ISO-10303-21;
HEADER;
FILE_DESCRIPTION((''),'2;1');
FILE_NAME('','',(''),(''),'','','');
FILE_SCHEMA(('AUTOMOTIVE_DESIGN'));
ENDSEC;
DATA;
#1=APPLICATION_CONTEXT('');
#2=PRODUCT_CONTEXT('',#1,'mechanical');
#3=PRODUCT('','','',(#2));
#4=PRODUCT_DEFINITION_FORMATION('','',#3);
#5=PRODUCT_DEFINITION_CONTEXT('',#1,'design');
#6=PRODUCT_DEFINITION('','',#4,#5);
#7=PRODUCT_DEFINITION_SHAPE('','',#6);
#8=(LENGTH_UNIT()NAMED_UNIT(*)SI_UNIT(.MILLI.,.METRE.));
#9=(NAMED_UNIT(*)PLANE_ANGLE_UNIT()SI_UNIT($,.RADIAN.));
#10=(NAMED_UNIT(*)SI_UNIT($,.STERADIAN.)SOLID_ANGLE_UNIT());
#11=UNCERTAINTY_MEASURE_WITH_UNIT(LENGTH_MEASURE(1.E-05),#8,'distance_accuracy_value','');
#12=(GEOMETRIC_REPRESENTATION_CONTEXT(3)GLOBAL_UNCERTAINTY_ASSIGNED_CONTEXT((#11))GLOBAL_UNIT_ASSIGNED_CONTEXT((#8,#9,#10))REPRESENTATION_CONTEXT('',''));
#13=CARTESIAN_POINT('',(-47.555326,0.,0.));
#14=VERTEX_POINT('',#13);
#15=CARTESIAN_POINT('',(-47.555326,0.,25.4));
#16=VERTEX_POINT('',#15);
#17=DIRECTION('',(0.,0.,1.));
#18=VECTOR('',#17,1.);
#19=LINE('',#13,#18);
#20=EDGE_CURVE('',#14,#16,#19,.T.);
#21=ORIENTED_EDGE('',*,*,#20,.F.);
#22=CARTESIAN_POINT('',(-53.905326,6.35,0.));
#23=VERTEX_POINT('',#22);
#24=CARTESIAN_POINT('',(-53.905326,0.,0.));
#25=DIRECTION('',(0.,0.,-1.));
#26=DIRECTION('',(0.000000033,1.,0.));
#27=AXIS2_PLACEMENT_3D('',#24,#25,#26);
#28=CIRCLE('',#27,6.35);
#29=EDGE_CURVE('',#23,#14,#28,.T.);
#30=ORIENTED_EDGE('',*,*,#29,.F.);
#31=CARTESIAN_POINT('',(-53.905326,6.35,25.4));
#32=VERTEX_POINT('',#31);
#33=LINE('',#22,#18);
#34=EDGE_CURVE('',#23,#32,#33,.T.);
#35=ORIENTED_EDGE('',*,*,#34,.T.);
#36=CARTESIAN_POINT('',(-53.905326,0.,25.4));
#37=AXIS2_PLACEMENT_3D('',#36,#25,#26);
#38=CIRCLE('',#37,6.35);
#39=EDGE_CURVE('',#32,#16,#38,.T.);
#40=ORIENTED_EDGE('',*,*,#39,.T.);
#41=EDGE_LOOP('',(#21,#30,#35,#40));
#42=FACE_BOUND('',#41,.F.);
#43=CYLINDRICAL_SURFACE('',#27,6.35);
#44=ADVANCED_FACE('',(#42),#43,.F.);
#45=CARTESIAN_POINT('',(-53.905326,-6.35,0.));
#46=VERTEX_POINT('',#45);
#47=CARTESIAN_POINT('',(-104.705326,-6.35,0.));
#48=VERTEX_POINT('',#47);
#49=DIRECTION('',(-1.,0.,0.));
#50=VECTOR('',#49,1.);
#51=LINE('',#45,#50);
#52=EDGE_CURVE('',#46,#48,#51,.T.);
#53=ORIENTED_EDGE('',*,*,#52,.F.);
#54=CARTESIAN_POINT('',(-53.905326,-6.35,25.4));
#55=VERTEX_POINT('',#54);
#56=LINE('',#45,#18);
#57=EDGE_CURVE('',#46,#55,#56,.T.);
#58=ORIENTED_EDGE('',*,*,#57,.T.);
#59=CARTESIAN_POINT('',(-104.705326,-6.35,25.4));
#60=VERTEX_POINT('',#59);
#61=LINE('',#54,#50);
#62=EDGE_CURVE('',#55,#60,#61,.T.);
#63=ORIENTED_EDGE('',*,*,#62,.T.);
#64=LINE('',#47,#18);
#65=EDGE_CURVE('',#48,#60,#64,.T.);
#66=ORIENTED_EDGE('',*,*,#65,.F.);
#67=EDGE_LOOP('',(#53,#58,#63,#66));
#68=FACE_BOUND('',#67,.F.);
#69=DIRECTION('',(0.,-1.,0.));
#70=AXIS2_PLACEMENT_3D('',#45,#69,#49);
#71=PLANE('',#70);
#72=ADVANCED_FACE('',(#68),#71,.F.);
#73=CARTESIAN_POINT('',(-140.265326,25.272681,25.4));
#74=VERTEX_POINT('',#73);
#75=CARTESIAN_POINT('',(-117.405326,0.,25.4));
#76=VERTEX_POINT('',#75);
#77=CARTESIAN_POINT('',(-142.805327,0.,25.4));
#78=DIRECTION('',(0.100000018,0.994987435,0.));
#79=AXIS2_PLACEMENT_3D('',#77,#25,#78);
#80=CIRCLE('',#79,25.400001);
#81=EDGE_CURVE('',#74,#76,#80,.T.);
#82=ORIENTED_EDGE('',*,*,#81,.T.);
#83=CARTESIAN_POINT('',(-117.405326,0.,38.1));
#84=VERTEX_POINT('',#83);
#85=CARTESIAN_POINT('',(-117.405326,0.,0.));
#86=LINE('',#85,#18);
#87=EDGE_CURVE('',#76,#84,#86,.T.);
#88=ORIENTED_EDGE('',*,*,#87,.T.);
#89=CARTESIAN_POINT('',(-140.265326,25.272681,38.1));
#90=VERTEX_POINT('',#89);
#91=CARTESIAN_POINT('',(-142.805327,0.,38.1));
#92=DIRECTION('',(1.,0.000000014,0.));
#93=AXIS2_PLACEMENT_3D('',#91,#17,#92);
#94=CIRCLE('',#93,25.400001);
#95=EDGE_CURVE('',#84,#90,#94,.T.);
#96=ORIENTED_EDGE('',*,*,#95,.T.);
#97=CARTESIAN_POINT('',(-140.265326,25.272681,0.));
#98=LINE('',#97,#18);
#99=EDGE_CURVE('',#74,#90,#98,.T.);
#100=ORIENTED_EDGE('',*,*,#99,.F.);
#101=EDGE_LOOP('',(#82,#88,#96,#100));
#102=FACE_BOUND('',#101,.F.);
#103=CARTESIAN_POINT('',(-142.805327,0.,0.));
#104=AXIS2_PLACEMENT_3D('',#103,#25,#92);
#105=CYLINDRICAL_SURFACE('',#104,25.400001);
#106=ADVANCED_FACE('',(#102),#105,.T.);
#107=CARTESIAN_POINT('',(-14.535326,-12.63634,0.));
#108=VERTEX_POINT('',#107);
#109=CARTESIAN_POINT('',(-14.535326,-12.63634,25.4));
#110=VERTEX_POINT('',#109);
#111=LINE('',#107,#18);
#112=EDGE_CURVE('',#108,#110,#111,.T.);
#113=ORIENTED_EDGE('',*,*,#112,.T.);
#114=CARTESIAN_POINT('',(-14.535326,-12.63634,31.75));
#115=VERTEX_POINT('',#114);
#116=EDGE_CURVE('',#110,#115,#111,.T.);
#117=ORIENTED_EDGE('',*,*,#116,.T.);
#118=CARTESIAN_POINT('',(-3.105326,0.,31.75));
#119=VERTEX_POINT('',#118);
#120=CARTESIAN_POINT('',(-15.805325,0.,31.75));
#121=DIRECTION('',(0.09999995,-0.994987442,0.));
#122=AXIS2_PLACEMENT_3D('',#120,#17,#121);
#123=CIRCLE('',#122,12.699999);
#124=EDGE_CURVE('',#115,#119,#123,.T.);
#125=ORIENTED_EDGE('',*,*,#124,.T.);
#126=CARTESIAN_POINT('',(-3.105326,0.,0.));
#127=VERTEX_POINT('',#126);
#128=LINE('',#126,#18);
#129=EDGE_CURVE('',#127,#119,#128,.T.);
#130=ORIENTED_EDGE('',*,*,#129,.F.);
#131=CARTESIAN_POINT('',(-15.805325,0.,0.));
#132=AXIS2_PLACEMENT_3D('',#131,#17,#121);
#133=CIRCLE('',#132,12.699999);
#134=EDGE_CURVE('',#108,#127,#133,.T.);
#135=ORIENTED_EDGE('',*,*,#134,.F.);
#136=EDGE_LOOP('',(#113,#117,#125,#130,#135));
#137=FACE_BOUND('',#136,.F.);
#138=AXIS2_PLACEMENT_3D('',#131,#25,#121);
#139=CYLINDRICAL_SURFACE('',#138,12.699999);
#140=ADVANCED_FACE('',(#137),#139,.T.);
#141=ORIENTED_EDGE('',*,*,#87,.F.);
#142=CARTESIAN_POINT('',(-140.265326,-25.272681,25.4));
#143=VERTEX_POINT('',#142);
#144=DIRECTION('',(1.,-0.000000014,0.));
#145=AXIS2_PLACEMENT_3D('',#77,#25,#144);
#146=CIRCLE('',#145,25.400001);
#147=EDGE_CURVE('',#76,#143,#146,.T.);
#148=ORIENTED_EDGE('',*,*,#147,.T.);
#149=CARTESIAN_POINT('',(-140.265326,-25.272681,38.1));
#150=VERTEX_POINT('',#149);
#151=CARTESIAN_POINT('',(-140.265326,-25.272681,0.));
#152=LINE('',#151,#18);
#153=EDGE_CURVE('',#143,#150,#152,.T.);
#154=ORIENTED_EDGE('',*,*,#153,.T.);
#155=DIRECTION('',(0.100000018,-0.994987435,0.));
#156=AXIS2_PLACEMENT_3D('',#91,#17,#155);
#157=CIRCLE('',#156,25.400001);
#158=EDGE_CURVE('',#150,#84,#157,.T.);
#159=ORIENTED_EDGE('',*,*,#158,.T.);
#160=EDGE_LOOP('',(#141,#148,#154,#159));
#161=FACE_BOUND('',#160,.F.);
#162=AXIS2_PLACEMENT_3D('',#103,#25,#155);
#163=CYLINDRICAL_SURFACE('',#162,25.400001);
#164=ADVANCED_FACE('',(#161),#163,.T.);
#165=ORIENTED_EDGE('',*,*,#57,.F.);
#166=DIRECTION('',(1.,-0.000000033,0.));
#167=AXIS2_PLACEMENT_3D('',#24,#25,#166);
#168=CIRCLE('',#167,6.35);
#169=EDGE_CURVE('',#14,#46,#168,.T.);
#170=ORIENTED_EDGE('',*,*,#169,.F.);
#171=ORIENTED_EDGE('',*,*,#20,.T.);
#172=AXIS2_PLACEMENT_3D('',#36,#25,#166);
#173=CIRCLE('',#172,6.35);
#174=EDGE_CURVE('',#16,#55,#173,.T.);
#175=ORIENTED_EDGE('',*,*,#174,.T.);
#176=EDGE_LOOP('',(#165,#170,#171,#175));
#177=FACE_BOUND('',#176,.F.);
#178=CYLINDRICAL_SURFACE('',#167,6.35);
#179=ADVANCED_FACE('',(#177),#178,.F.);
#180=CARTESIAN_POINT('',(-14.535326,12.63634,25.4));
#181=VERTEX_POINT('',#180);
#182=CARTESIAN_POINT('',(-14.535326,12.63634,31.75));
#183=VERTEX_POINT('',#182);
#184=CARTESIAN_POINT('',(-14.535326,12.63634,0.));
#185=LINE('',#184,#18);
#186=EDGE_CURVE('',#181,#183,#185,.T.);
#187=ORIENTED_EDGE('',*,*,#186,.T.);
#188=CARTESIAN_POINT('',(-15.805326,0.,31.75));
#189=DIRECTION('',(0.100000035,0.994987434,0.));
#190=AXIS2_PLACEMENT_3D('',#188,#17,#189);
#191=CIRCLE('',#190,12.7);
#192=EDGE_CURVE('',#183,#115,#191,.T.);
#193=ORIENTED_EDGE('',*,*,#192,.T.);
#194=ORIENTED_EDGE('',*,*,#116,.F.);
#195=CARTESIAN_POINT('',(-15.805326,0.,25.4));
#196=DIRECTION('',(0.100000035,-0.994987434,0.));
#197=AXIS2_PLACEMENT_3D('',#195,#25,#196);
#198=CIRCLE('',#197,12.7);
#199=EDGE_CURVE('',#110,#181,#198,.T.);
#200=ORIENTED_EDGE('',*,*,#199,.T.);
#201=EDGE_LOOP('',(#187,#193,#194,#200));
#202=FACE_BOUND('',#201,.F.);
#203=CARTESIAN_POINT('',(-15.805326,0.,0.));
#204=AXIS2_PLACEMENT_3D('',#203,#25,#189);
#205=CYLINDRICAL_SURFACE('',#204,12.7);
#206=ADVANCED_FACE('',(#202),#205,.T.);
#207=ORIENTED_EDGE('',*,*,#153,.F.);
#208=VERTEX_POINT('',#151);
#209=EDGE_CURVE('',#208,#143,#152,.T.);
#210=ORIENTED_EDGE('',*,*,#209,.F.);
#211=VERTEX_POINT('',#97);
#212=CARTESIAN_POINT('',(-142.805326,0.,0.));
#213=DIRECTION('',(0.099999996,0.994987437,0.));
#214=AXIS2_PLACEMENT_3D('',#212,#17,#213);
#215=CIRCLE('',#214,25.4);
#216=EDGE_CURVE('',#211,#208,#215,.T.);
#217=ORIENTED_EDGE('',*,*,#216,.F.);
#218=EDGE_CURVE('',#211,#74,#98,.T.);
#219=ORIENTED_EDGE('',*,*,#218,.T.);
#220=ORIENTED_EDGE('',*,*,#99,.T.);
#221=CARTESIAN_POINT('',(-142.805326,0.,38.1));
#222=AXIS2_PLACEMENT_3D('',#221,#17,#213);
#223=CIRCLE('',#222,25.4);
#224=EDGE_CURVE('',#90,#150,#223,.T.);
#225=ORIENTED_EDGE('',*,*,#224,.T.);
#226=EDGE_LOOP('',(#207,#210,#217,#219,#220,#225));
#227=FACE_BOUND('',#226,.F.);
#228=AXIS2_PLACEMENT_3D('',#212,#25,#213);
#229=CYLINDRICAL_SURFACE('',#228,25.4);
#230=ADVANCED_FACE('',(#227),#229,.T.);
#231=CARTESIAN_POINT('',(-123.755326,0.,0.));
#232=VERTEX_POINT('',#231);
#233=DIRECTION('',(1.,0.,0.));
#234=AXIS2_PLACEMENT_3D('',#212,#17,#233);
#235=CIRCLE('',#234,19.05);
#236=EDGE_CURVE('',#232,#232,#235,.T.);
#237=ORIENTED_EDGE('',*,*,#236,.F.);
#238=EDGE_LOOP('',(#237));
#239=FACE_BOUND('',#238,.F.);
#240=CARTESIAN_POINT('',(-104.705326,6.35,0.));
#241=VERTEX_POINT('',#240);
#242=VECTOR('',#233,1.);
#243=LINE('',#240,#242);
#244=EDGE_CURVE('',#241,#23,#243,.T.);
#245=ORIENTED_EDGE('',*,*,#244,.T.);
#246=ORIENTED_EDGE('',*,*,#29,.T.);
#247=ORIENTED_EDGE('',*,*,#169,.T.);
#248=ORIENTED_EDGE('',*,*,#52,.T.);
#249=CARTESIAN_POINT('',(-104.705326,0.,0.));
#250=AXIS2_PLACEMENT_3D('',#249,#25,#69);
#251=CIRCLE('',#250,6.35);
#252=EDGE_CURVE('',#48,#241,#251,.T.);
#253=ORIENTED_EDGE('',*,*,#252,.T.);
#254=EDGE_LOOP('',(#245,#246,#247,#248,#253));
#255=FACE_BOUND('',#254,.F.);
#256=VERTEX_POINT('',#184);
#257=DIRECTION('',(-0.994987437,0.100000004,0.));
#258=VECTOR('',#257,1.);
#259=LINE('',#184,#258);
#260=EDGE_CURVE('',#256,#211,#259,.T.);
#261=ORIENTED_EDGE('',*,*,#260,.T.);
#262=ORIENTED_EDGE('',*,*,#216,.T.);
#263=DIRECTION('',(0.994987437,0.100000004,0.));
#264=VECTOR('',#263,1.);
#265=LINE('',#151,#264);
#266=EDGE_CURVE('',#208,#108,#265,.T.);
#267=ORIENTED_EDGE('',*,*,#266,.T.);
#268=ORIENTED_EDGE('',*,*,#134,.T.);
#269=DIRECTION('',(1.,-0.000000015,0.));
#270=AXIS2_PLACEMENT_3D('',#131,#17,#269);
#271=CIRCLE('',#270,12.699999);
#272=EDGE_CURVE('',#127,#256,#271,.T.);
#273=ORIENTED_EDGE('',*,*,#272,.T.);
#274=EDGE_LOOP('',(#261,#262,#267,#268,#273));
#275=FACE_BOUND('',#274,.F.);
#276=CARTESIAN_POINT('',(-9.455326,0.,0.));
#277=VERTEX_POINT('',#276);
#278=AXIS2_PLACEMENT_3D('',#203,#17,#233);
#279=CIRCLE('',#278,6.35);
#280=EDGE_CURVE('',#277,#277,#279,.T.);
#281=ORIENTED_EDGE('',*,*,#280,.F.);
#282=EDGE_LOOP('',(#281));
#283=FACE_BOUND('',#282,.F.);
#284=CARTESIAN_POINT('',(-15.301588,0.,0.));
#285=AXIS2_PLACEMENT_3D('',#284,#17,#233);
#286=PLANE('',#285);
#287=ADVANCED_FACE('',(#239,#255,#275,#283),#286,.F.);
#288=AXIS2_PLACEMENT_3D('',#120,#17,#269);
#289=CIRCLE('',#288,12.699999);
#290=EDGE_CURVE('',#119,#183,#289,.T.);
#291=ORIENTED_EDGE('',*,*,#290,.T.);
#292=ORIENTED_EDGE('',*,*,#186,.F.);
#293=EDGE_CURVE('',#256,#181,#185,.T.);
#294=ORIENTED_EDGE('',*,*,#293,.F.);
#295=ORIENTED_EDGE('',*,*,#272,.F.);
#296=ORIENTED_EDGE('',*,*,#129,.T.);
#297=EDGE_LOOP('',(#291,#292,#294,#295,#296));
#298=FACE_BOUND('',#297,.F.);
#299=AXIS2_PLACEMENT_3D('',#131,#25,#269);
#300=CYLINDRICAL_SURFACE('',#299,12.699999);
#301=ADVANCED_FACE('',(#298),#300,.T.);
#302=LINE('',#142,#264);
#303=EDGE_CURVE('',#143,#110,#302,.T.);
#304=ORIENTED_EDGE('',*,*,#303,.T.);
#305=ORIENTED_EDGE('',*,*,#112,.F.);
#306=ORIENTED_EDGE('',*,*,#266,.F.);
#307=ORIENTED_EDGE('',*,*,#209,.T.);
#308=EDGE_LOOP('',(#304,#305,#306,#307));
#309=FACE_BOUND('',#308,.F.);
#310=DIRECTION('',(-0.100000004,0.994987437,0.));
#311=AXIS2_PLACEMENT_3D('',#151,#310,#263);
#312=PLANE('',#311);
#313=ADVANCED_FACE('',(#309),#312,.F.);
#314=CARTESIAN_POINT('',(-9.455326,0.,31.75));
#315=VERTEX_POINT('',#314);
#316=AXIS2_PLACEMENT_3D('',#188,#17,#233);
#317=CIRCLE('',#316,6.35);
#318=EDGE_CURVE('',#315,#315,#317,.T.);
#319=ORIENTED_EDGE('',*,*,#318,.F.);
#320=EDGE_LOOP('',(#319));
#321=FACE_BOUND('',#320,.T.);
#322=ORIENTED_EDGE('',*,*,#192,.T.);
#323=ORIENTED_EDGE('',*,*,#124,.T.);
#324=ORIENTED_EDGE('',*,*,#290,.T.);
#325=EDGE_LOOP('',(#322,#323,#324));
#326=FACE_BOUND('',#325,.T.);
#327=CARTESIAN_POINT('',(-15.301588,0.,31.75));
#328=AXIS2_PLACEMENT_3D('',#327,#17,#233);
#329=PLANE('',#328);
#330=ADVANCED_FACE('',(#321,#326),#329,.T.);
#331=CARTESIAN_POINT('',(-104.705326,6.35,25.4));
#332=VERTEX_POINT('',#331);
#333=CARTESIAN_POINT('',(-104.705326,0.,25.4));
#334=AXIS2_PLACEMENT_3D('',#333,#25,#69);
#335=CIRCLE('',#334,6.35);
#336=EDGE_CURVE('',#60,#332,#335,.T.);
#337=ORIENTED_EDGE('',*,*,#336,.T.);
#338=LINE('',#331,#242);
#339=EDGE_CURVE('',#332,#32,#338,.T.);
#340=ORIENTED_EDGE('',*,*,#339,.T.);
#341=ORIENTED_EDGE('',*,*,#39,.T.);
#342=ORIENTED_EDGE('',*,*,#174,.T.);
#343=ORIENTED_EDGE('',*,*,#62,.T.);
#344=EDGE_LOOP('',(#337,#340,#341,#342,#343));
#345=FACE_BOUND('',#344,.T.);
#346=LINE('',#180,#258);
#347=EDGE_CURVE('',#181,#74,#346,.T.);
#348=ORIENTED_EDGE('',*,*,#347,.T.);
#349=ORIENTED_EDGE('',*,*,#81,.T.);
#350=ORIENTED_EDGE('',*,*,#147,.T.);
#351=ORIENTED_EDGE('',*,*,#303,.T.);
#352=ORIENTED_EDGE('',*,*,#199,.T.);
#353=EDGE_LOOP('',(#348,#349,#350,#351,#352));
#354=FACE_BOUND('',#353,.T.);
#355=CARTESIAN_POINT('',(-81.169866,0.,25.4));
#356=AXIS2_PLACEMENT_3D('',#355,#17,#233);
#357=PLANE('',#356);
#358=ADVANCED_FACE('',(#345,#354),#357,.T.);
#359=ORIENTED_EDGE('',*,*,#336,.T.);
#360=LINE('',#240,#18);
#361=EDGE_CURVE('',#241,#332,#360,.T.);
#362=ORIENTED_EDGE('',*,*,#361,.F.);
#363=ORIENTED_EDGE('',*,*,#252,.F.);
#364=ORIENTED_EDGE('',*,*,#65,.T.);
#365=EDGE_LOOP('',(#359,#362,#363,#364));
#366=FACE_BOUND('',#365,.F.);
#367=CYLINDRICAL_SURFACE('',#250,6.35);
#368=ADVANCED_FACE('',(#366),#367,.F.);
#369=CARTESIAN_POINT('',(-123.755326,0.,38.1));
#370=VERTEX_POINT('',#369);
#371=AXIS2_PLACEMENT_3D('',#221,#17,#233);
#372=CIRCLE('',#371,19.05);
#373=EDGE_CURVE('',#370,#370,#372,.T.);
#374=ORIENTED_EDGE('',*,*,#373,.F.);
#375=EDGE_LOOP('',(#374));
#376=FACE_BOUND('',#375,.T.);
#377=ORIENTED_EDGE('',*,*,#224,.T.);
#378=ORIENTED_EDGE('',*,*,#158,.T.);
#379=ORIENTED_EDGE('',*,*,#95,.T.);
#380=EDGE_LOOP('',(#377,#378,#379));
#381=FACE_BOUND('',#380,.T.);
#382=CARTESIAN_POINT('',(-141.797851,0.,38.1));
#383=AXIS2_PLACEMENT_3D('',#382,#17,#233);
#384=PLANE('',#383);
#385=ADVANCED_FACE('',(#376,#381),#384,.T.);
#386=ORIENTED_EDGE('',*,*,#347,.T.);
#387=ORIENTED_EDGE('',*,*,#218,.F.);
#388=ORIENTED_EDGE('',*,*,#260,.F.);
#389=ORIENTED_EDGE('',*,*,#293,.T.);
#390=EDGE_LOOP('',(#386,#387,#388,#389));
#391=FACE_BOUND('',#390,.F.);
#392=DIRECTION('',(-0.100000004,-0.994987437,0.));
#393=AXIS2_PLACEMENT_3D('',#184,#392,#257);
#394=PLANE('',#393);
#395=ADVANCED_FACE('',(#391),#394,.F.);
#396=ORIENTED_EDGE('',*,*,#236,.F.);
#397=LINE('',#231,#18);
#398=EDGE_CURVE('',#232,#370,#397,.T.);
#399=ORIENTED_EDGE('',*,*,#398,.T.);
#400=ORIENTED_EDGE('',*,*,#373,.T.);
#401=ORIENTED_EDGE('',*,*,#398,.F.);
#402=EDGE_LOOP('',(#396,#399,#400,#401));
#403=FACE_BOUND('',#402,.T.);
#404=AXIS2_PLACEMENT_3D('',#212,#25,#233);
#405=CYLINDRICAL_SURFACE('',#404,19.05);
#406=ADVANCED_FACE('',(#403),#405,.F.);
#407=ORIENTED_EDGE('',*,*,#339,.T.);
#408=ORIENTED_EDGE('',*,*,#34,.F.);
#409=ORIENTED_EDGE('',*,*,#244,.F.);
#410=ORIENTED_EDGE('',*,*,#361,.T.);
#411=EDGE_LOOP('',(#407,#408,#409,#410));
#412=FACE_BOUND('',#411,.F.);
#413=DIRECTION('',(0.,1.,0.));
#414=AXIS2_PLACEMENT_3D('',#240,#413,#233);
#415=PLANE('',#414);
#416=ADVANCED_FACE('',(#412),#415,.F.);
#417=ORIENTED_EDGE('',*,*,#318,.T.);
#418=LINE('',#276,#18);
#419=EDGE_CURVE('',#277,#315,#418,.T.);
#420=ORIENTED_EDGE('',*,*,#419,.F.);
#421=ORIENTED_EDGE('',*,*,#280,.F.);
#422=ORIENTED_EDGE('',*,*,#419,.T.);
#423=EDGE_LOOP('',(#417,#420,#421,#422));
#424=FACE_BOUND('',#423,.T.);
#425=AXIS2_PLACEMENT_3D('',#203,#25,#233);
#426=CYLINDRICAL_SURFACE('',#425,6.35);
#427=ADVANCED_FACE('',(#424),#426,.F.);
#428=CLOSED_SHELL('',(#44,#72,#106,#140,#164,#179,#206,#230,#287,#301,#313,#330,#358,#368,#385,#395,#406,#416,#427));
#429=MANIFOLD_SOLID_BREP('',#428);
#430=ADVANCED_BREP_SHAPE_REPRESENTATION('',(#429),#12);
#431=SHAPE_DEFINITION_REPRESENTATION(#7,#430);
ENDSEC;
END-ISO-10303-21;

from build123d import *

# Parameters (mm, degrees)
F0_R     = 19.05
F1_DEPTH = 38.1
F2_DEPTH = 25.4
F0_R_2   = 6.35
F3_DEPTH = 31.75


with BuildPart() as f1:
    # F0 (on Top) → F1 (new body)
    with BuildSketch(Plane.XY):
        with BuildLine():
            ThreePointArc((-140.265326, -25.272681), (-123.968182, -17.038838), (-117.405326, 0))
            ThreePointArc((-117.405326, 0), (-123.968182, 17.038838), (-140.265326, 25.272681))
            ThreePointArc((-140.265326, 25.272681), (-168.205326, 0), (-140.265326, -25.272681))
        make_face()
        with Locations((-142.805326, 0)):
            Circle(F0_R, mode=Mode.SUBTRACT)
    extrude(amount=F1_DEPTH)

    # F0 (on Top) → F2 (join)
    with BuildSketch(Plane.XY):
        with BuildLine():
            ThreePointArc((-140.265326, 25.272681), (-123.968182, 17.038838), (-117.405326, 0))
            ThreePointArc((-117.405326, 0), (-123.968182, -17.038838), (-140.265326, -25.272681))
            Line((-140.265326, -25.272681), (-14.535326, -12.63634))
            ThreePointArc((-14.535326, -12.63634), (-28.505326, 0), (-14.535326, 12.63634))
            Line((-14.535326, 12.63634), (-140.265326, 25.272681))
        make_face()
        with BuildLine():
            ThreePointArc((-104.705326, -6.35), (-111.055326, 0), (-104.705326, 6.35))
            Line((-104.705326, 6.35), (-53.905326, 6.35))
            ThreePointArc((-53.905326, 6.35), (-49.415198, 4.490128), (-47.555326, 0))
            ThreePointArc((-47.555326, 0), (-49.415198, -4.490128), (-53.905326, -6.35))
            Line((-53.905326, -6.35), (-104.705326, -6.35))
        make_face(mode=Mode.SUBTRACT)
    extrude(amount=F2_DEPTH)

    # F0 (on Top) → F3 (join)
    with BuildSketch(Plane.XY):
        with BuildLine():
            ThreePointArc((-3.105326, 0), (-6.386754, 8.519419), (-14.535326, 12.63634))
            ThreePointArc((-14.535326, 12.63634), (-28.505326, 0), (-14.535326, -12.63634))
            ThreePointArc((-14.535326, -12.63634), (-6.386754, -8.519419), (-3.105326, 0))
        make_face()
        with Locations((-15.805326, 0)):
            Circle(F0_R_2, mode=Mode.SUBTRACT)
    extrude(amount=F3_DEPTH)


solid = f1.part
